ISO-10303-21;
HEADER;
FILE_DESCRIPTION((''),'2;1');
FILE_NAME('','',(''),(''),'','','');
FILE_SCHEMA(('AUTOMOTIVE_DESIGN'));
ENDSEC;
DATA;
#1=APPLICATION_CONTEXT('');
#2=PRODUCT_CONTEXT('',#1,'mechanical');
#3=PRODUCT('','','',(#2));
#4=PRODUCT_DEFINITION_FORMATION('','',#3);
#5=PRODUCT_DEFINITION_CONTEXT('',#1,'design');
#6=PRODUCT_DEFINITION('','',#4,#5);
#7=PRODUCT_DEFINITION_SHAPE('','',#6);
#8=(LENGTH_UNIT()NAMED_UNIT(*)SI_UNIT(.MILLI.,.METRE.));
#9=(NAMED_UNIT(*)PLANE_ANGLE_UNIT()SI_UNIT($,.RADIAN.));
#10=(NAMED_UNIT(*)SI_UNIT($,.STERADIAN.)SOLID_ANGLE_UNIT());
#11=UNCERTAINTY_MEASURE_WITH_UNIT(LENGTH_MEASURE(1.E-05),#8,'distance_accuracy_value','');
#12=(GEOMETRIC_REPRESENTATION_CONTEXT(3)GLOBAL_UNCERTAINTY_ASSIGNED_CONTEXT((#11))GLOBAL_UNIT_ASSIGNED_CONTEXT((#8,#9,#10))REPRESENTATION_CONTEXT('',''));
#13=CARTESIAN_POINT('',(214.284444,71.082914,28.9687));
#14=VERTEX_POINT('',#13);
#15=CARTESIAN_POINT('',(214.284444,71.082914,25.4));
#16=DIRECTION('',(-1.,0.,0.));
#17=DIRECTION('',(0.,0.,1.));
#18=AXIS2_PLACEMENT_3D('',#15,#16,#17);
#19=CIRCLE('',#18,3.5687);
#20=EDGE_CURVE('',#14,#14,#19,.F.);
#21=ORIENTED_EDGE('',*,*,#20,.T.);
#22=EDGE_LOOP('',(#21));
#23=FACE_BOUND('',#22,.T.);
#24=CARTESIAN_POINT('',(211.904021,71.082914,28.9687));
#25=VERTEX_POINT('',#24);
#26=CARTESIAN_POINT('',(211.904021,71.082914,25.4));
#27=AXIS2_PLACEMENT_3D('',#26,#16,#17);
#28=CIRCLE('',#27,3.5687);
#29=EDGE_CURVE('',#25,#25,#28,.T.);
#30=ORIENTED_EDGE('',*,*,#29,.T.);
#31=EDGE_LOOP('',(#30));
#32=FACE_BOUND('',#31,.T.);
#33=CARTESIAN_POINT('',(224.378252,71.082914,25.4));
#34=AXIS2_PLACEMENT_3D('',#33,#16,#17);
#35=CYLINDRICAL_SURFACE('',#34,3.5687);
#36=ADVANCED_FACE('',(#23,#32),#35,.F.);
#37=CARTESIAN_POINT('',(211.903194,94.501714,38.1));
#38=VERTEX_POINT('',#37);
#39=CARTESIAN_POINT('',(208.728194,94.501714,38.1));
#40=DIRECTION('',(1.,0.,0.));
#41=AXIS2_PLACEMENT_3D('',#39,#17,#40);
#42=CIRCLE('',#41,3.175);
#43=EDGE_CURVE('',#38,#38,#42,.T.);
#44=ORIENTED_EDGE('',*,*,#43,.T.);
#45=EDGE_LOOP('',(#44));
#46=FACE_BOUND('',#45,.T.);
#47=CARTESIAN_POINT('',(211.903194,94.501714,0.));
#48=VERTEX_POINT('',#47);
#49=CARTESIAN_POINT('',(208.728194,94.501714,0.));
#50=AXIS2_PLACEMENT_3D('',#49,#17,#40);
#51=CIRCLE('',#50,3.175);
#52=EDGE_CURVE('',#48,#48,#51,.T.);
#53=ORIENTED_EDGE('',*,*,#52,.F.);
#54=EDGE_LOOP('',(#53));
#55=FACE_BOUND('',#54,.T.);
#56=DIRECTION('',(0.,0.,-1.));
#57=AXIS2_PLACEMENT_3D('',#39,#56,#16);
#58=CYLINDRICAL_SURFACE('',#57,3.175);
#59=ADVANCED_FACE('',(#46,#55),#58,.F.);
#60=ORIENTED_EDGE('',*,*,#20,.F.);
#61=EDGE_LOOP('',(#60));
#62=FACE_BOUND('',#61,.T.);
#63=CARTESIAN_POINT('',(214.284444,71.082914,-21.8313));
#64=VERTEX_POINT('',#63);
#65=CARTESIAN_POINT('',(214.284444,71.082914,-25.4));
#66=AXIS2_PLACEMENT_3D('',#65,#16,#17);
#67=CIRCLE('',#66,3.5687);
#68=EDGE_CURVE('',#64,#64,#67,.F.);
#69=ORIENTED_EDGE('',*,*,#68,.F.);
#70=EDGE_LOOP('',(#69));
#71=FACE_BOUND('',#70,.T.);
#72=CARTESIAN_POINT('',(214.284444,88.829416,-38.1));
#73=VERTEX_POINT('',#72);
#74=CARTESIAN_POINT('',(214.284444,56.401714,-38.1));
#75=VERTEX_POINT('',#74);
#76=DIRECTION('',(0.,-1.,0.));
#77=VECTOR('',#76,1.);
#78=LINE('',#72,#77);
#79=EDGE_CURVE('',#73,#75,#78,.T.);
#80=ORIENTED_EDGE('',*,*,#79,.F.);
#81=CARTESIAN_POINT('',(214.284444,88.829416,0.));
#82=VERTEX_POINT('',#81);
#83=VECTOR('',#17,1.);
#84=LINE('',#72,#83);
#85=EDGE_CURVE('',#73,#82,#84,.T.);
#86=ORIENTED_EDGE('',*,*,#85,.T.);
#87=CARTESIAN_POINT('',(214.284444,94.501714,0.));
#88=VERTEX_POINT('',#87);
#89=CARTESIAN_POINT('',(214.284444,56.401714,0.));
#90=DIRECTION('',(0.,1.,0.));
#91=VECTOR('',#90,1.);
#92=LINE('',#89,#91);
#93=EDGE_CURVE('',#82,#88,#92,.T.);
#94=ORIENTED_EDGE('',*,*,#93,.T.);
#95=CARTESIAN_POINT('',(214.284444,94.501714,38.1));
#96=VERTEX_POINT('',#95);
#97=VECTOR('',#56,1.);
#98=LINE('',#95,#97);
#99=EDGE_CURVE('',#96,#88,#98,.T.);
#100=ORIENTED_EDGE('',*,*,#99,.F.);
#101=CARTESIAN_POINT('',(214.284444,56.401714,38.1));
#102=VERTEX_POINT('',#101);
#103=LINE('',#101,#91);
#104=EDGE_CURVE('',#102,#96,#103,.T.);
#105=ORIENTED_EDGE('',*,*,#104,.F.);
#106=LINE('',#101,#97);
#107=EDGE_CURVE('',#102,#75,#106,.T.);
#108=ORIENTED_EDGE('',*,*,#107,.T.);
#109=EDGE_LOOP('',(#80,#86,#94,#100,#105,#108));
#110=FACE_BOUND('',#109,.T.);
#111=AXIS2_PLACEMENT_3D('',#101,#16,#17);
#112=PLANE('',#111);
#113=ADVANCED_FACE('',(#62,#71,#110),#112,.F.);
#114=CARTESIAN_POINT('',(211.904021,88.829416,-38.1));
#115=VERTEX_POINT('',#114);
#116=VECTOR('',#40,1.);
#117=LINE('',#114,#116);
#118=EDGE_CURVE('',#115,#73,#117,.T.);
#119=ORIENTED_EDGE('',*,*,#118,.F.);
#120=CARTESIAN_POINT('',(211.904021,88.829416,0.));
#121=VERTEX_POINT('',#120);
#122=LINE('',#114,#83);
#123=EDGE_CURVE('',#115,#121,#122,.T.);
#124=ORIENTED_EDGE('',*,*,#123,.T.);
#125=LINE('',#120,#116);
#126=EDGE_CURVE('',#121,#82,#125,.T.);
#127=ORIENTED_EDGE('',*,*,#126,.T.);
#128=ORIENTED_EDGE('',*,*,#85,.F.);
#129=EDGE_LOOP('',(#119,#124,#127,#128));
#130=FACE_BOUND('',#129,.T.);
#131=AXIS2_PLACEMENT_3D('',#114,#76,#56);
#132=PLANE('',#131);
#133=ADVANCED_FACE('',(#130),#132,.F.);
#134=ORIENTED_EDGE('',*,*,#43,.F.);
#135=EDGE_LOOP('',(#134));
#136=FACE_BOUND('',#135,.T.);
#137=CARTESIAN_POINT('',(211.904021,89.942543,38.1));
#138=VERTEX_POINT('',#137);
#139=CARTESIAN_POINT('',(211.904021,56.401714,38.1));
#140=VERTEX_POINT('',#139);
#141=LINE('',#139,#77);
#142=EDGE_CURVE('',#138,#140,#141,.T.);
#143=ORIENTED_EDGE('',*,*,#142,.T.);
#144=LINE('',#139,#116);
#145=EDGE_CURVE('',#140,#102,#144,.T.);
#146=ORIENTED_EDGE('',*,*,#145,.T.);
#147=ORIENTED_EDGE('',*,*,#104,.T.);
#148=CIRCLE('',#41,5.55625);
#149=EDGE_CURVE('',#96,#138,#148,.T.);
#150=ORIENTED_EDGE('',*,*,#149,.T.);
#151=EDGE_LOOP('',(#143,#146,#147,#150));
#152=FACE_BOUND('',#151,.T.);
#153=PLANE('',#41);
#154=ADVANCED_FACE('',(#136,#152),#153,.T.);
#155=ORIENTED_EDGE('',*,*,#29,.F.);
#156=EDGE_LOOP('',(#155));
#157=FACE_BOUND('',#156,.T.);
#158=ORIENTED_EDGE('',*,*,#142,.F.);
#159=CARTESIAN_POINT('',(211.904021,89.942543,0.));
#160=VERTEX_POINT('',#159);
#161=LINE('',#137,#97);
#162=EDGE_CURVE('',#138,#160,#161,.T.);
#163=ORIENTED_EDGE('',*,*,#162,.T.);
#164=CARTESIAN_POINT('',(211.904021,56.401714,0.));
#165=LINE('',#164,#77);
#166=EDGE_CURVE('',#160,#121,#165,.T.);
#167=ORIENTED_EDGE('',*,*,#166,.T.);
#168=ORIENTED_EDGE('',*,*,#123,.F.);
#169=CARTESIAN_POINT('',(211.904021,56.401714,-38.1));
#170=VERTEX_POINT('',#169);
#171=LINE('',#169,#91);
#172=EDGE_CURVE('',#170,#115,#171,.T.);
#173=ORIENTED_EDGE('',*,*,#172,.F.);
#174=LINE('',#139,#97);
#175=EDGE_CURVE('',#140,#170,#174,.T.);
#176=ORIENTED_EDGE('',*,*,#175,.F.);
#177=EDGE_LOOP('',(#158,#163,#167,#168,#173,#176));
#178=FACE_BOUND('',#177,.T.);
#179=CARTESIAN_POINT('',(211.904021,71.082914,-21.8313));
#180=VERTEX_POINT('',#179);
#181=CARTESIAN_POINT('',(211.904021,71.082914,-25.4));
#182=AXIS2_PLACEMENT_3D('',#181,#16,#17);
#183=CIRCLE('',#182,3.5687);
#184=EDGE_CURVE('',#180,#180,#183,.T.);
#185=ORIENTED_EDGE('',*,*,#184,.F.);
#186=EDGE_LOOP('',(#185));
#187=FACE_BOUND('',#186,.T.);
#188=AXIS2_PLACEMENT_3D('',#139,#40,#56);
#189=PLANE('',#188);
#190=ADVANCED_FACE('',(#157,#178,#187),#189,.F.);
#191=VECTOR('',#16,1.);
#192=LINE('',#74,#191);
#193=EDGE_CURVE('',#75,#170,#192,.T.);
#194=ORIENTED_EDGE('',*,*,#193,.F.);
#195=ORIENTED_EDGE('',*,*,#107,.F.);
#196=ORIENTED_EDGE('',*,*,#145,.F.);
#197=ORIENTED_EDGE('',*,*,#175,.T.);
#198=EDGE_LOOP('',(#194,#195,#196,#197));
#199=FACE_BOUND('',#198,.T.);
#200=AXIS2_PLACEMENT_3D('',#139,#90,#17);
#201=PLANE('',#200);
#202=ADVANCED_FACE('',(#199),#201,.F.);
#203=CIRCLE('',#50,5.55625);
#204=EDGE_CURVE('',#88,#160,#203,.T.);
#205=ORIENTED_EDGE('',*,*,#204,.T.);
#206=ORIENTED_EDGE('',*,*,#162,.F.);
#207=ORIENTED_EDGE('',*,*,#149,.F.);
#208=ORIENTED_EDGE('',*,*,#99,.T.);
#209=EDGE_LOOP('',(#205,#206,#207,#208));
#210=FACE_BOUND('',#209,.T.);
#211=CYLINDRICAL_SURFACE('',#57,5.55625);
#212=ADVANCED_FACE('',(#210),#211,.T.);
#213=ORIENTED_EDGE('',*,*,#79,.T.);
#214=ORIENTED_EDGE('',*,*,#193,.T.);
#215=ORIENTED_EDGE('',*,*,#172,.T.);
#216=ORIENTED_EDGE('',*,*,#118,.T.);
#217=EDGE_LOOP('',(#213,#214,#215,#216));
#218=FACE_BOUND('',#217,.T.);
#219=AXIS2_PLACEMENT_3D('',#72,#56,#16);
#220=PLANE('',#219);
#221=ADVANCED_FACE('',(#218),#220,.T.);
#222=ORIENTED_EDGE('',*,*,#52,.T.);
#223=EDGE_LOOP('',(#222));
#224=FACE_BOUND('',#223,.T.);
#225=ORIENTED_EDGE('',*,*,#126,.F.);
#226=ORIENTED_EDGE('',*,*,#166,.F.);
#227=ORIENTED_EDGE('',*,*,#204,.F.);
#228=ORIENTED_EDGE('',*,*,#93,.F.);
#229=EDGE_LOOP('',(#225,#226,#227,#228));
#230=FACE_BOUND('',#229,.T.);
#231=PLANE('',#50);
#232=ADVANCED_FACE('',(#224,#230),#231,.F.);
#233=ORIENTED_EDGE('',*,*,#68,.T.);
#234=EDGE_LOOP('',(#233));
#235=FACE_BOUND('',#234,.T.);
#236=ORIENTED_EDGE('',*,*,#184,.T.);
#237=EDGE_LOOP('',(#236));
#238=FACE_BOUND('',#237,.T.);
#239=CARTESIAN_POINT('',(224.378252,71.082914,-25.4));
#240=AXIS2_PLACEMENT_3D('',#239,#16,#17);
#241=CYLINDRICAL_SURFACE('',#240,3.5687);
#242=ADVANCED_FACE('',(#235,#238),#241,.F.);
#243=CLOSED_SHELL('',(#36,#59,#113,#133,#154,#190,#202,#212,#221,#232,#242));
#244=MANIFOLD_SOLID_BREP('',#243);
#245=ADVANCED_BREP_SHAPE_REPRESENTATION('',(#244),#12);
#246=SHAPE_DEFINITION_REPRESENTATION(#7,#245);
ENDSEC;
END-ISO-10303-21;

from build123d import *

# Parameters (mm, degrees)
SKETCH1_R          = 3.175
EXTRUDE1_DEPTH     = 38.1
SKETCH2_W          = 2.380423229
SKETCH2_H          = 32.427702335
EXTRUDE2_DEPTH     = 38.1
SKETCH3_R          = 3.5687
CUT_EXTRUDE1_DEPTH = 2.380423


with BuildPart() as part:
    # Sketch1 → Extrude1 (new body)
    with BuildSketch(Plane.XY):
        with BuildLine():
            Line((214.284444429, 56.4017138), (214.284444429, 94.5017138))
            ThreePointArc((214.284444429, 94.5017138), (203.802872025, 97.073311219), (211.9040212, 89.942543))
            Line((211.9040212, 89.942543), (211.9040212, 56.4017138))
            Line((211.9040212, 56.4017138), (214.284444429, 56.4017138))
        make_face()
        with Locations((208.728194429, 94.5017138)):
            Circle(SKETCH1_R, mode=Mode.SUBTRACT)
    extrude(amount=EXTRUDE1_DEPTH)

    # Sketch2 → Extrude2 (add)
    with BuildSketch(Plane(origin=(0, 0, 0), x_dir=(-1, 0, 0), z_dir=(0, 0, -1))):
        with Locations((-213.094232815, 72.615564968)):
            Rectangle(SKETCH2_W, SKETCH2_H)
    extrude(amount=EXTRUDE2_DEPTH)

    # Sketch3 → Cut-Extrude1 (cut)
    with BuildSketch(Plane.ZY.offset(-211.9040212)):
        with Locations((-25.4, 71.0829138)):
            Circle(SKETCH3_R)
        with Locations((25.4, 71.0829138)):
            Circle(SKETCH3_R)
    extrude(amount=-CUT_EXTRUDE1_DEPTH, mode=Mode.SUBTRACT)


solid = part.part
